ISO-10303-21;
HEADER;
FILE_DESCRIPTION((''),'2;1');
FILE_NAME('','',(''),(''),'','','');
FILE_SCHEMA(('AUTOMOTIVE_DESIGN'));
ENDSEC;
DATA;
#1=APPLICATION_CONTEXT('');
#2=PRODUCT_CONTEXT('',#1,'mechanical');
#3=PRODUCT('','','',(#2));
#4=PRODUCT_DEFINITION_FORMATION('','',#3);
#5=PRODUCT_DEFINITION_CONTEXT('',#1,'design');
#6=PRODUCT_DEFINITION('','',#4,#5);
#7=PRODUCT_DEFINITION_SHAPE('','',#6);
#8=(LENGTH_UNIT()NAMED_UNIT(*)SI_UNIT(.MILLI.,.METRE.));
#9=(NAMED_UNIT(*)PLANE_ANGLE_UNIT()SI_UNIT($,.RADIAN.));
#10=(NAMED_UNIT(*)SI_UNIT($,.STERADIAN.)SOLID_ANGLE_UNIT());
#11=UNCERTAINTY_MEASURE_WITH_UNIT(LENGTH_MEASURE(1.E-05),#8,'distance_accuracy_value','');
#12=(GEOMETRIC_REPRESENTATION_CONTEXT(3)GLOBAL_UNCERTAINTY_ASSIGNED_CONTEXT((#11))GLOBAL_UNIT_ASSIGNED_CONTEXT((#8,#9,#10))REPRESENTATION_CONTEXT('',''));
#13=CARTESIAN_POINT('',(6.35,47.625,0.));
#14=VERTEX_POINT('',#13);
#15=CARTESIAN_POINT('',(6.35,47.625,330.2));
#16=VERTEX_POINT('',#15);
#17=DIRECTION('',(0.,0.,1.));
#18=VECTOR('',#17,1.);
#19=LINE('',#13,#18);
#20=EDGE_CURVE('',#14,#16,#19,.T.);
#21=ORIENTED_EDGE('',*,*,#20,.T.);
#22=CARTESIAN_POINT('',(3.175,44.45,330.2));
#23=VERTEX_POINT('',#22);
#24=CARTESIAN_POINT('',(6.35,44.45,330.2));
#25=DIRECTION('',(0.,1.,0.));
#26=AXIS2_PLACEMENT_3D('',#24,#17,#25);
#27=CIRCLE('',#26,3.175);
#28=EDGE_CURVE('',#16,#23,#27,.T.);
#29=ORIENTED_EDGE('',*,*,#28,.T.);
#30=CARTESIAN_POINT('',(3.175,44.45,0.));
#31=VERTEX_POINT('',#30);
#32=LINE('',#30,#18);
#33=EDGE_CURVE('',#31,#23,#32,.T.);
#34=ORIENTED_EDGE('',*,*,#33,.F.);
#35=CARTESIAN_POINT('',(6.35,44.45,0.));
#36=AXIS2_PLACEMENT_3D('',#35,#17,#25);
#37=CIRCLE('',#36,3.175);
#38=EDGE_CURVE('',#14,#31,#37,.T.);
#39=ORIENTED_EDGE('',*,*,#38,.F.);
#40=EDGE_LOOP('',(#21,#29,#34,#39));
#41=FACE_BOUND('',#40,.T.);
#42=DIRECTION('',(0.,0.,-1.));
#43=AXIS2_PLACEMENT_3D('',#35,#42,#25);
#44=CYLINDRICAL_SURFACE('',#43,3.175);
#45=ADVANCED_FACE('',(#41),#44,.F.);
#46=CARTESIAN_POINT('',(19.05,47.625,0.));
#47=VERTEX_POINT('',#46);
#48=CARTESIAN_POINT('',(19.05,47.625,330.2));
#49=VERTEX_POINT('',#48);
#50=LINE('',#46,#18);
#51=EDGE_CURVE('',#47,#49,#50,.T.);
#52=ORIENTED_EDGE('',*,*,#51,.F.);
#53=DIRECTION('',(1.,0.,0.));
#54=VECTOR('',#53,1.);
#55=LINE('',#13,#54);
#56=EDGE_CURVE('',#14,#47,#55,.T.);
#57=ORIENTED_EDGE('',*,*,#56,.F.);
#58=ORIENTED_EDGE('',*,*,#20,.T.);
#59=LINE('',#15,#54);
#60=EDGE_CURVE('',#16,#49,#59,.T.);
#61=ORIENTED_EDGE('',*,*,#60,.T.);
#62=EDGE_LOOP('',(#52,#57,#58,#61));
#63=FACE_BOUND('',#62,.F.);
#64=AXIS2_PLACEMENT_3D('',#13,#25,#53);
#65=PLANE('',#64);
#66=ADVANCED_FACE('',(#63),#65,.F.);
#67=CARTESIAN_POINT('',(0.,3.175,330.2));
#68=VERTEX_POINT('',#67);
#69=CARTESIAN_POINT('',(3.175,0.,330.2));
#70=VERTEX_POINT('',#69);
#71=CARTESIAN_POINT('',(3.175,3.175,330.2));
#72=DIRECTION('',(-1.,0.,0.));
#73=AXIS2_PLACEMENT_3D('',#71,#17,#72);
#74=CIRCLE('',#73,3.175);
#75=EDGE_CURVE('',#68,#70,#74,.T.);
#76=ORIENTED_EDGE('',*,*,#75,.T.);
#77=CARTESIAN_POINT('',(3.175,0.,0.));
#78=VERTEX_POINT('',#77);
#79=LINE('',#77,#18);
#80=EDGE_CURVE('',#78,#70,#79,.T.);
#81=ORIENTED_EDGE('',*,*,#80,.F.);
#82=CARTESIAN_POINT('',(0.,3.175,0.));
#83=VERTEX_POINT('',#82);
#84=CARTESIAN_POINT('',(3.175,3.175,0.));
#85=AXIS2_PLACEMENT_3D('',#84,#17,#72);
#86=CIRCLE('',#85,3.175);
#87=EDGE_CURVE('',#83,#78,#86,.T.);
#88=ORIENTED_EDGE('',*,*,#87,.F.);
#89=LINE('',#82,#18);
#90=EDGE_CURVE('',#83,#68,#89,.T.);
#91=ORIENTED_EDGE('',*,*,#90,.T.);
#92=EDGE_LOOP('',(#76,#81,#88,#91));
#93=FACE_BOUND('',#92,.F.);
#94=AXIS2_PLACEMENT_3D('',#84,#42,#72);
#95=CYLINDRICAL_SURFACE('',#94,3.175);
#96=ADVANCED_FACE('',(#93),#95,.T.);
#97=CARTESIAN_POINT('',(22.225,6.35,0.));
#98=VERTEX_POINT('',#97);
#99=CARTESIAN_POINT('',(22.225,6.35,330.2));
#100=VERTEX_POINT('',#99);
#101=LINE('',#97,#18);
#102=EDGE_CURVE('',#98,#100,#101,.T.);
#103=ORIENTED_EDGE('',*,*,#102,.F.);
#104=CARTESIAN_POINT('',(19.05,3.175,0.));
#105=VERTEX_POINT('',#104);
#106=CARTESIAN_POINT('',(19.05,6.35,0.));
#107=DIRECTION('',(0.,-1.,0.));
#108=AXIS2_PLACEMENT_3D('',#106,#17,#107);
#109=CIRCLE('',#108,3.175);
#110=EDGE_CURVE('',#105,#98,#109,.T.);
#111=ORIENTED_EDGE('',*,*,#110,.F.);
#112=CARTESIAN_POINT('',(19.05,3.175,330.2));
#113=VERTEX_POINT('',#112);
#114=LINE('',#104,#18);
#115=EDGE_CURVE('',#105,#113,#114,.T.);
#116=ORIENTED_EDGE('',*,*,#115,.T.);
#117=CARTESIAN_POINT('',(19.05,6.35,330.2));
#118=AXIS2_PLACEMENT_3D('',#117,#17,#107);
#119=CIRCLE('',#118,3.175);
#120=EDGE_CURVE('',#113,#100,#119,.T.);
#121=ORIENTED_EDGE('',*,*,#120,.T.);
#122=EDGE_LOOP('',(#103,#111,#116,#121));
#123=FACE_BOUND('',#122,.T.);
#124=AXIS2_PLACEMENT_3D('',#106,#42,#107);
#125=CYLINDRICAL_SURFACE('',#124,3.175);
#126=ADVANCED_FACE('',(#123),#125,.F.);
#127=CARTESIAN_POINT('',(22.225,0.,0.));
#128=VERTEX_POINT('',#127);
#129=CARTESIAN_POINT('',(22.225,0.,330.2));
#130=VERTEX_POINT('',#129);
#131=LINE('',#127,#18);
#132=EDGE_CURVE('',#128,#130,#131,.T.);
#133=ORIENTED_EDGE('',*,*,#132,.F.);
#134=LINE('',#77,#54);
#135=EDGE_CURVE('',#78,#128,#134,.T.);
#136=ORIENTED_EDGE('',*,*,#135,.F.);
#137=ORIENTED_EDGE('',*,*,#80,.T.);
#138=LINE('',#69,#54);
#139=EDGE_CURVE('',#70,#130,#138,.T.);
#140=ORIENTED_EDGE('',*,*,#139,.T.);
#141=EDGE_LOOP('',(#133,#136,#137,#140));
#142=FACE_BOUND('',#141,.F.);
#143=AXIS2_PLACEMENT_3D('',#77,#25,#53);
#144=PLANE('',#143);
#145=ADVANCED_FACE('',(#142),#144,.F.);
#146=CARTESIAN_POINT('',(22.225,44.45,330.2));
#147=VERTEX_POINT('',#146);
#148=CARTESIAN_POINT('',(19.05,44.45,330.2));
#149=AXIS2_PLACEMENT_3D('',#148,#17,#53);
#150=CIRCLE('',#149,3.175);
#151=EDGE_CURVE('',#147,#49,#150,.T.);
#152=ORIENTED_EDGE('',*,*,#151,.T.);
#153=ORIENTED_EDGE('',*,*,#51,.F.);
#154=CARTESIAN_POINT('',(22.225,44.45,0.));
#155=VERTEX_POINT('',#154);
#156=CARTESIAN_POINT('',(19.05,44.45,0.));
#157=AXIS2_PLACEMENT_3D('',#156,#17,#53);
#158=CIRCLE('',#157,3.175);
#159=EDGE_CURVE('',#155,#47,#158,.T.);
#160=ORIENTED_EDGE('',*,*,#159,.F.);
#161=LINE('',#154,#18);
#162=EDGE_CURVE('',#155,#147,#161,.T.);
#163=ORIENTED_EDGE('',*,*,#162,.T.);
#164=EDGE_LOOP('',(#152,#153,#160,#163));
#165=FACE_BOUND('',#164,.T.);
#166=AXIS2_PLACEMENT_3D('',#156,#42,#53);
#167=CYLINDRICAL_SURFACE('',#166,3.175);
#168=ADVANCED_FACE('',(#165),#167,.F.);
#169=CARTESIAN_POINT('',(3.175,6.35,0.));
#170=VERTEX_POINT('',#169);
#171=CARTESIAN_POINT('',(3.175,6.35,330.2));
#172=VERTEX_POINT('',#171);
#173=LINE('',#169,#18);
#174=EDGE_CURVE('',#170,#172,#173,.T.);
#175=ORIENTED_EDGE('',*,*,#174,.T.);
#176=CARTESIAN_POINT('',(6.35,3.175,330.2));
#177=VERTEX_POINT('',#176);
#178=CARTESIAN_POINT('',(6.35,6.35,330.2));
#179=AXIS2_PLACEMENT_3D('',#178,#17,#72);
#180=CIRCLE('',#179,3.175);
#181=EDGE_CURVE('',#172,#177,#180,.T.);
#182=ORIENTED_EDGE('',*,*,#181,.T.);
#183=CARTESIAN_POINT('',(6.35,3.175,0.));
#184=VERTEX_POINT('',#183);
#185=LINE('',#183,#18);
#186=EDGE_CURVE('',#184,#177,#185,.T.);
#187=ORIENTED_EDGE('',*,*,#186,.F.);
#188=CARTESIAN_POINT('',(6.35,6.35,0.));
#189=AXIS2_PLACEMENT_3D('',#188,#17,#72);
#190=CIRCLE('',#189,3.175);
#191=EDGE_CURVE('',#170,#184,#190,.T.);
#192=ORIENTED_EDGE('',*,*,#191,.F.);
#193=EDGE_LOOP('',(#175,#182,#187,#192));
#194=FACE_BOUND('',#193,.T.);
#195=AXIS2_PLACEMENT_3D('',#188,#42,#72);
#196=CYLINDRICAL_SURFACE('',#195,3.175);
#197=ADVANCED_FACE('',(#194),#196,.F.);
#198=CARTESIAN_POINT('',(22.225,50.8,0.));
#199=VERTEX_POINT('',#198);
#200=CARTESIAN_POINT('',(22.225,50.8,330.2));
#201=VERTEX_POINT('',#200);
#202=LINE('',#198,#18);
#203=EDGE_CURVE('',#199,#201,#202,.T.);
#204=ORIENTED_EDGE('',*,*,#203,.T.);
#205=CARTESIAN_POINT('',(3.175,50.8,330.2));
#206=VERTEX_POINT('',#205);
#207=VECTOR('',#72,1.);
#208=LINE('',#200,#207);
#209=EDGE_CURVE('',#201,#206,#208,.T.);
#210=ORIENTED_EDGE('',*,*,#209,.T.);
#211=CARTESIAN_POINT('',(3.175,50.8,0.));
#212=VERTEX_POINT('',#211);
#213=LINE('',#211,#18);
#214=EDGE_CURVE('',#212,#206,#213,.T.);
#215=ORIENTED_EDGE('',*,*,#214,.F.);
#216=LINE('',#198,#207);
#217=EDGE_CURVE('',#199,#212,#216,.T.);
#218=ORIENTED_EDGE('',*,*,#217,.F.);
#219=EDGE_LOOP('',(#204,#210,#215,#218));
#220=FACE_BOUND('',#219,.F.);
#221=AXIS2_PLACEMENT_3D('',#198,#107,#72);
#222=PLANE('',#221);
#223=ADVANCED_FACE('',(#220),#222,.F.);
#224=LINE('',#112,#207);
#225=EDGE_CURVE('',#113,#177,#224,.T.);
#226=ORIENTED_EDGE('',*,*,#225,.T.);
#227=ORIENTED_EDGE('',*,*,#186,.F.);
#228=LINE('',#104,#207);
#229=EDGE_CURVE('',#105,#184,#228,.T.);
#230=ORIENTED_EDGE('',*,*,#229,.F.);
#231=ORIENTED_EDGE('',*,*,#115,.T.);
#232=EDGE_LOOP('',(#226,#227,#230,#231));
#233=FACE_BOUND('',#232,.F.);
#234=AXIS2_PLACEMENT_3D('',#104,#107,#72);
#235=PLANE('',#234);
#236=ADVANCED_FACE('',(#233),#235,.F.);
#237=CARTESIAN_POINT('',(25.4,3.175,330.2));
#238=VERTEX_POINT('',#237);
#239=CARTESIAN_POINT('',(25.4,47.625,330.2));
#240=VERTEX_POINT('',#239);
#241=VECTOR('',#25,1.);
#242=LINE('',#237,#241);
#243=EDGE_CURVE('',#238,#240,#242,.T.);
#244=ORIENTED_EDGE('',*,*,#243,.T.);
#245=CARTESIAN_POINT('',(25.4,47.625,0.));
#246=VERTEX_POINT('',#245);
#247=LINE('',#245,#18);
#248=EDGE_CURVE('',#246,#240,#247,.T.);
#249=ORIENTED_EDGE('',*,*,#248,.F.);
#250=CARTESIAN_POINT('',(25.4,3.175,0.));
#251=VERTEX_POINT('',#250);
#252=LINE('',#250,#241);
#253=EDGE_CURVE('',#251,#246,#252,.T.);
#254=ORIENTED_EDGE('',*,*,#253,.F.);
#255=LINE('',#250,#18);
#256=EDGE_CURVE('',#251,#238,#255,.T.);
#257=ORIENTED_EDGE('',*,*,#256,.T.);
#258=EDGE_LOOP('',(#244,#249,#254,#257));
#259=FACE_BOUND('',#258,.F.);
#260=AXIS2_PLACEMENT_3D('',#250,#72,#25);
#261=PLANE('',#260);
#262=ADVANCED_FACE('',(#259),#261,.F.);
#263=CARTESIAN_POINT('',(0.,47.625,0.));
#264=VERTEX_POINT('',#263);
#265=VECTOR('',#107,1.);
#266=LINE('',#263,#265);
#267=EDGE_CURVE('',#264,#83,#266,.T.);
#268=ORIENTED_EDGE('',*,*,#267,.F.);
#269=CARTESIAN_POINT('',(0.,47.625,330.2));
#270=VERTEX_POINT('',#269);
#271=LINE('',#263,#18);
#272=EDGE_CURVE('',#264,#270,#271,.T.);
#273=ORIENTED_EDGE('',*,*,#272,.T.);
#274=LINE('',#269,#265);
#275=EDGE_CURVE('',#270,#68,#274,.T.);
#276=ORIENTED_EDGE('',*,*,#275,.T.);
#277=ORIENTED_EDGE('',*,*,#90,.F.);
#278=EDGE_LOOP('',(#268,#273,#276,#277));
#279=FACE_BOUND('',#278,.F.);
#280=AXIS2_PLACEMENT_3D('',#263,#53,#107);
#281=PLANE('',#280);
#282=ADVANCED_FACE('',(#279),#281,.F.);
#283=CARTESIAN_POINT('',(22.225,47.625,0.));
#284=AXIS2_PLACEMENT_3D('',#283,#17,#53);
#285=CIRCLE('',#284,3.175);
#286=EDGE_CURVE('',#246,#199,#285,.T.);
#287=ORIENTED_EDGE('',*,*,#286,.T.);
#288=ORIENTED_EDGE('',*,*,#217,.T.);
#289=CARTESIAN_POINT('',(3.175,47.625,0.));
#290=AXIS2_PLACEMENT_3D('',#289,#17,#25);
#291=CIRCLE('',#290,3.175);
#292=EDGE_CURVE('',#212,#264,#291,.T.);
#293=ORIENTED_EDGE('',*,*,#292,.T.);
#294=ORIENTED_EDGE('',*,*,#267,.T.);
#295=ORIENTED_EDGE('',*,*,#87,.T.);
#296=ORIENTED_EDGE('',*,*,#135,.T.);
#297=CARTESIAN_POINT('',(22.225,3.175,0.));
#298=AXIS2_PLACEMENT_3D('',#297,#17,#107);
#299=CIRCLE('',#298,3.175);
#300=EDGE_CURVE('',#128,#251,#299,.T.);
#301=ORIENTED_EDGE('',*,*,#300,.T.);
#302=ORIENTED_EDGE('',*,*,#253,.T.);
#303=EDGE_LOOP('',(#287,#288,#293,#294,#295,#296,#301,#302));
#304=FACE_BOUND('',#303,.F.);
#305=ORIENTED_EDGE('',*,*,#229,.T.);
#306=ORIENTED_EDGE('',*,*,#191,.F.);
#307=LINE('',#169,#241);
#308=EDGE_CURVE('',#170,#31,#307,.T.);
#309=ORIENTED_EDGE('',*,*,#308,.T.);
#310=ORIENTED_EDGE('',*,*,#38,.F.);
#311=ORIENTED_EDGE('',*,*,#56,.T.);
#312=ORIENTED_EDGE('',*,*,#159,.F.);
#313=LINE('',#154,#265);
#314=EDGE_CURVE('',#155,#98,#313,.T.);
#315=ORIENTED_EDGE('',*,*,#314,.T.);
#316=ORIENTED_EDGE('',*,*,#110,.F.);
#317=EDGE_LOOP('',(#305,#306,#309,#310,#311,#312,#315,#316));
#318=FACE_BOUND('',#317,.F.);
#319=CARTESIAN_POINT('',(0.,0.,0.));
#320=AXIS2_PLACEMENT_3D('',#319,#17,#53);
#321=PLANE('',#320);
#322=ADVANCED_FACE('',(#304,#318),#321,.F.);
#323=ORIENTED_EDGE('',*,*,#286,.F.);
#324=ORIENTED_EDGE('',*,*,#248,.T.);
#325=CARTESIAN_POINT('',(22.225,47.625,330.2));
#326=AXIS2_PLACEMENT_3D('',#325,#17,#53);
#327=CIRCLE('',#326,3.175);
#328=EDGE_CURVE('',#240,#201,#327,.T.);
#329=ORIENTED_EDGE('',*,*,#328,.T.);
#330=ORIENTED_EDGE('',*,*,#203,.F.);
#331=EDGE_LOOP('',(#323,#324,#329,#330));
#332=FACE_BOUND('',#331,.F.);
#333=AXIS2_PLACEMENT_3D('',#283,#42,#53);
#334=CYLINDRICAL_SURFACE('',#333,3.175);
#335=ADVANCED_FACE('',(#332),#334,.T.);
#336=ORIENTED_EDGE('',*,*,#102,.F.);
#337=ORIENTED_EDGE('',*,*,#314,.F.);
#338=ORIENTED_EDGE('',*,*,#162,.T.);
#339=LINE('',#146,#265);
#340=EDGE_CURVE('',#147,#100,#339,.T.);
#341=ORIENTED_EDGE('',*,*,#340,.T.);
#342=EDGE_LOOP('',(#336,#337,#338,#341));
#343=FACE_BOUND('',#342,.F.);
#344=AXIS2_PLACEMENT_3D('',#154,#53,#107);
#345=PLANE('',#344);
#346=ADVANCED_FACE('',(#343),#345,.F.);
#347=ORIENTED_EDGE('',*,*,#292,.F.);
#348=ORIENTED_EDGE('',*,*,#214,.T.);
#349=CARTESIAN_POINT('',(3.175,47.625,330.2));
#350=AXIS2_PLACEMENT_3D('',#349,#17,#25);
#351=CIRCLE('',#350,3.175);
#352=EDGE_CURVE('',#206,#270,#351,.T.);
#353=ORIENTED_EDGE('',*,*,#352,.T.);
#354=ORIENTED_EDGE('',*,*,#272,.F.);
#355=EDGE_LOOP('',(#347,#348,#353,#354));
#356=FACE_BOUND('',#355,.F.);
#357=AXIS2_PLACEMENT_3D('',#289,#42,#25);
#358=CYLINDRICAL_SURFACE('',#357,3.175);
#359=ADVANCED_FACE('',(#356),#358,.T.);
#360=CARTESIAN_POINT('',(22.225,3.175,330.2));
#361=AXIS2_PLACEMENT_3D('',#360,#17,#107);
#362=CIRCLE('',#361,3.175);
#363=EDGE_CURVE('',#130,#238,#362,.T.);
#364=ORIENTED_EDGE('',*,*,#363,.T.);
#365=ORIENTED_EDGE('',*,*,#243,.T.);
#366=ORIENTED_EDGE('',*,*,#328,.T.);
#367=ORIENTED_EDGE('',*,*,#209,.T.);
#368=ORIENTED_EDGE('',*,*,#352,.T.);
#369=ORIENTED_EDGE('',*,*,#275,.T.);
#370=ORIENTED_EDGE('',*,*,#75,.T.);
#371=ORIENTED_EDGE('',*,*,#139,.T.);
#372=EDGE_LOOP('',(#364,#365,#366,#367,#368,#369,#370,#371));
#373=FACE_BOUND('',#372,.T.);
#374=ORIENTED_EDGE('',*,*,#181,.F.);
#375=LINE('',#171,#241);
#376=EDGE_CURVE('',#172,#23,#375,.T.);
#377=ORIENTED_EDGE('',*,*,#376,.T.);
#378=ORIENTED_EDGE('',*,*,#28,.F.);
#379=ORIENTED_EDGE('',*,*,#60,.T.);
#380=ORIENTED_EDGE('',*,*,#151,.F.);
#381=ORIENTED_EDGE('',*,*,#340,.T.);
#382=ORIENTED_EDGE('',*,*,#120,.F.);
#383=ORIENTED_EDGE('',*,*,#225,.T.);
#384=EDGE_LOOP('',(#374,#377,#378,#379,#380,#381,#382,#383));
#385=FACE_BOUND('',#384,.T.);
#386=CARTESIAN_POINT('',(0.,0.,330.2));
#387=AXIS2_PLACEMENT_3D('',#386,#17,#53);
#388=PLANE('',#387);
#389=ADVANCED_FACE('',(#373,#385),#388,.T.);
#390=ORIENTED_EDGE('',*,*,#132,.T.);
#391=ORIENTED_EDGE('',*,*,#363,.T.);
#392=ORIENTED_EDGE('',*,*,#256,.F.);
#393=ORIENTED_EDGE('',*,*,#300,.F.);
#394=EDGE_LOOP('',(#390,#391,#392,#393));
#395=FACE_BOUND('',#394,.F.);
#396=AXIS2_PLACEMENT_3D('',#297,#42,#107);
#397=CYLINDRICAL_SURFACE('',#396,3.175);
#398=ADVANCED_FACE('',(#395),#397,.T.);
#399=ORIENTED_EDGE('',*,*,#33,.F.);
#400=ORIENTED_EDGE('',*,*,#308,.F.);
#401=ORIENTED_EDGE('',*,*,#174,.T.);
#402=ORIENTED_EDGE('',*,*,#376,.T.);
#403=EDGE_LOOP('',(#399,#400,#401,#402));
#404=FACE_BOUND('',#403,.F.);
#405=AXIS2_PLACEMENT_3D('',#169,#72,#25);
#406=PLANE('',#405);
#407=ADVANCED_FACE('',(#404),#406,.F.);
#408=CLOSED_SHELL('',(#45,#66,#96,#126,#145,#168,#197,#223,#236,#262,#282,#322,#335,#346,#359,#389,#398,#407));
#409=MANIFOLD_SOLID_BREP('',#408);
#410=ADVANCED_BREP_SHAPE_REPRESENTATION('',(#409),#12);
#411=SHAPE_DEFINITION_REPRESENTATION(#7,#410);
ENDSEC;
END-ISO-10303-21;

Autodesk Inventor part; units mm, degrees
ref_plane "YZ Plane" through (0, 0, 0) normal (1, 0, 0) x (0, 1, 0)
ref_plane "XZ Plane" through (0, 0, 0) normal (0, 1, 0) x (-1, 0, 0)
ref_plane "XY Plane" through (0, 0, 0) normal (0, 0, 1) x (1, 0, 0)
sketch "Sketch1" plane through (0, 0, 0) normal (0, 0, 1) x (1, 0, 0)
  line L0 (3.175, 0) -> (22.225, 0)
  line L1 (25.4, 3.175) -> (25.4, 47.625)
  line L2 (22.225, 50.8) -> (3.175, 50.8)
  line L3 (0, 47.625) -> (0, 3.175)
  arc A0 (3.175, 50.8) -> (0, 47.625) centre (3.175, 47.625) ccw
  arc A1 (25.4, 47.625) -> (22.225, 50.8) centre (22.225, 47.625) ccw
  arc A2 (22.225, 0) -> (25.4, 3.175) centre (22.225, 3.175) ccw
  arc A3 (0, 3.175) -> (3.175, 0) centre (3.175, 3.175) ccw
  line L4 (6.35, 47.625) -> (19.05, 47.625)
  line L5 (22.225, 44.45) -> (22.225, 6.35)
  line L6 (19.05, 3.175) -> (6.35, 3.175)
  line L7 (3.175, 6.35) -> (3.175, 44.45)
  arc A4 (6.35, 47.625) -> (3.175, 44.45) centre (6.35, 44.45) ccw
  arc A5 (22.225, 44.45) -> (19.05, 47.625) centre (19.05, 44.45) ccw
  arc A6 (3.175, 6.35) -> (6.35, 3.175) centre (6.35, 6.35) ccw
  arc A7 (19.05, 3.175) -> (22.225, 6.35) centre (19.05, 6.35) ccw
  point P0 (0, 0)
  point P1 (25.4, 0)
  point P2 (0, 50.8)
  dimension "d0" = 50.8
  dimension "d1" = 25.4
  dimension "d2" = 3.175
  dimension "d3" = 3.175
  dimension "d4" = 3.175
  dimension "d5" = 3.175
  dimension "d6" = 3.175
  dimension "d7" = 3.175
  dimension "d8" = 3.175
  dimension "d9" = 3.175
  dimension "d10" = 3.175
extrude "Extrusion1" add sketch "Sketch1" along normal blind 330.2
properties part number "O channel 13 inch"
